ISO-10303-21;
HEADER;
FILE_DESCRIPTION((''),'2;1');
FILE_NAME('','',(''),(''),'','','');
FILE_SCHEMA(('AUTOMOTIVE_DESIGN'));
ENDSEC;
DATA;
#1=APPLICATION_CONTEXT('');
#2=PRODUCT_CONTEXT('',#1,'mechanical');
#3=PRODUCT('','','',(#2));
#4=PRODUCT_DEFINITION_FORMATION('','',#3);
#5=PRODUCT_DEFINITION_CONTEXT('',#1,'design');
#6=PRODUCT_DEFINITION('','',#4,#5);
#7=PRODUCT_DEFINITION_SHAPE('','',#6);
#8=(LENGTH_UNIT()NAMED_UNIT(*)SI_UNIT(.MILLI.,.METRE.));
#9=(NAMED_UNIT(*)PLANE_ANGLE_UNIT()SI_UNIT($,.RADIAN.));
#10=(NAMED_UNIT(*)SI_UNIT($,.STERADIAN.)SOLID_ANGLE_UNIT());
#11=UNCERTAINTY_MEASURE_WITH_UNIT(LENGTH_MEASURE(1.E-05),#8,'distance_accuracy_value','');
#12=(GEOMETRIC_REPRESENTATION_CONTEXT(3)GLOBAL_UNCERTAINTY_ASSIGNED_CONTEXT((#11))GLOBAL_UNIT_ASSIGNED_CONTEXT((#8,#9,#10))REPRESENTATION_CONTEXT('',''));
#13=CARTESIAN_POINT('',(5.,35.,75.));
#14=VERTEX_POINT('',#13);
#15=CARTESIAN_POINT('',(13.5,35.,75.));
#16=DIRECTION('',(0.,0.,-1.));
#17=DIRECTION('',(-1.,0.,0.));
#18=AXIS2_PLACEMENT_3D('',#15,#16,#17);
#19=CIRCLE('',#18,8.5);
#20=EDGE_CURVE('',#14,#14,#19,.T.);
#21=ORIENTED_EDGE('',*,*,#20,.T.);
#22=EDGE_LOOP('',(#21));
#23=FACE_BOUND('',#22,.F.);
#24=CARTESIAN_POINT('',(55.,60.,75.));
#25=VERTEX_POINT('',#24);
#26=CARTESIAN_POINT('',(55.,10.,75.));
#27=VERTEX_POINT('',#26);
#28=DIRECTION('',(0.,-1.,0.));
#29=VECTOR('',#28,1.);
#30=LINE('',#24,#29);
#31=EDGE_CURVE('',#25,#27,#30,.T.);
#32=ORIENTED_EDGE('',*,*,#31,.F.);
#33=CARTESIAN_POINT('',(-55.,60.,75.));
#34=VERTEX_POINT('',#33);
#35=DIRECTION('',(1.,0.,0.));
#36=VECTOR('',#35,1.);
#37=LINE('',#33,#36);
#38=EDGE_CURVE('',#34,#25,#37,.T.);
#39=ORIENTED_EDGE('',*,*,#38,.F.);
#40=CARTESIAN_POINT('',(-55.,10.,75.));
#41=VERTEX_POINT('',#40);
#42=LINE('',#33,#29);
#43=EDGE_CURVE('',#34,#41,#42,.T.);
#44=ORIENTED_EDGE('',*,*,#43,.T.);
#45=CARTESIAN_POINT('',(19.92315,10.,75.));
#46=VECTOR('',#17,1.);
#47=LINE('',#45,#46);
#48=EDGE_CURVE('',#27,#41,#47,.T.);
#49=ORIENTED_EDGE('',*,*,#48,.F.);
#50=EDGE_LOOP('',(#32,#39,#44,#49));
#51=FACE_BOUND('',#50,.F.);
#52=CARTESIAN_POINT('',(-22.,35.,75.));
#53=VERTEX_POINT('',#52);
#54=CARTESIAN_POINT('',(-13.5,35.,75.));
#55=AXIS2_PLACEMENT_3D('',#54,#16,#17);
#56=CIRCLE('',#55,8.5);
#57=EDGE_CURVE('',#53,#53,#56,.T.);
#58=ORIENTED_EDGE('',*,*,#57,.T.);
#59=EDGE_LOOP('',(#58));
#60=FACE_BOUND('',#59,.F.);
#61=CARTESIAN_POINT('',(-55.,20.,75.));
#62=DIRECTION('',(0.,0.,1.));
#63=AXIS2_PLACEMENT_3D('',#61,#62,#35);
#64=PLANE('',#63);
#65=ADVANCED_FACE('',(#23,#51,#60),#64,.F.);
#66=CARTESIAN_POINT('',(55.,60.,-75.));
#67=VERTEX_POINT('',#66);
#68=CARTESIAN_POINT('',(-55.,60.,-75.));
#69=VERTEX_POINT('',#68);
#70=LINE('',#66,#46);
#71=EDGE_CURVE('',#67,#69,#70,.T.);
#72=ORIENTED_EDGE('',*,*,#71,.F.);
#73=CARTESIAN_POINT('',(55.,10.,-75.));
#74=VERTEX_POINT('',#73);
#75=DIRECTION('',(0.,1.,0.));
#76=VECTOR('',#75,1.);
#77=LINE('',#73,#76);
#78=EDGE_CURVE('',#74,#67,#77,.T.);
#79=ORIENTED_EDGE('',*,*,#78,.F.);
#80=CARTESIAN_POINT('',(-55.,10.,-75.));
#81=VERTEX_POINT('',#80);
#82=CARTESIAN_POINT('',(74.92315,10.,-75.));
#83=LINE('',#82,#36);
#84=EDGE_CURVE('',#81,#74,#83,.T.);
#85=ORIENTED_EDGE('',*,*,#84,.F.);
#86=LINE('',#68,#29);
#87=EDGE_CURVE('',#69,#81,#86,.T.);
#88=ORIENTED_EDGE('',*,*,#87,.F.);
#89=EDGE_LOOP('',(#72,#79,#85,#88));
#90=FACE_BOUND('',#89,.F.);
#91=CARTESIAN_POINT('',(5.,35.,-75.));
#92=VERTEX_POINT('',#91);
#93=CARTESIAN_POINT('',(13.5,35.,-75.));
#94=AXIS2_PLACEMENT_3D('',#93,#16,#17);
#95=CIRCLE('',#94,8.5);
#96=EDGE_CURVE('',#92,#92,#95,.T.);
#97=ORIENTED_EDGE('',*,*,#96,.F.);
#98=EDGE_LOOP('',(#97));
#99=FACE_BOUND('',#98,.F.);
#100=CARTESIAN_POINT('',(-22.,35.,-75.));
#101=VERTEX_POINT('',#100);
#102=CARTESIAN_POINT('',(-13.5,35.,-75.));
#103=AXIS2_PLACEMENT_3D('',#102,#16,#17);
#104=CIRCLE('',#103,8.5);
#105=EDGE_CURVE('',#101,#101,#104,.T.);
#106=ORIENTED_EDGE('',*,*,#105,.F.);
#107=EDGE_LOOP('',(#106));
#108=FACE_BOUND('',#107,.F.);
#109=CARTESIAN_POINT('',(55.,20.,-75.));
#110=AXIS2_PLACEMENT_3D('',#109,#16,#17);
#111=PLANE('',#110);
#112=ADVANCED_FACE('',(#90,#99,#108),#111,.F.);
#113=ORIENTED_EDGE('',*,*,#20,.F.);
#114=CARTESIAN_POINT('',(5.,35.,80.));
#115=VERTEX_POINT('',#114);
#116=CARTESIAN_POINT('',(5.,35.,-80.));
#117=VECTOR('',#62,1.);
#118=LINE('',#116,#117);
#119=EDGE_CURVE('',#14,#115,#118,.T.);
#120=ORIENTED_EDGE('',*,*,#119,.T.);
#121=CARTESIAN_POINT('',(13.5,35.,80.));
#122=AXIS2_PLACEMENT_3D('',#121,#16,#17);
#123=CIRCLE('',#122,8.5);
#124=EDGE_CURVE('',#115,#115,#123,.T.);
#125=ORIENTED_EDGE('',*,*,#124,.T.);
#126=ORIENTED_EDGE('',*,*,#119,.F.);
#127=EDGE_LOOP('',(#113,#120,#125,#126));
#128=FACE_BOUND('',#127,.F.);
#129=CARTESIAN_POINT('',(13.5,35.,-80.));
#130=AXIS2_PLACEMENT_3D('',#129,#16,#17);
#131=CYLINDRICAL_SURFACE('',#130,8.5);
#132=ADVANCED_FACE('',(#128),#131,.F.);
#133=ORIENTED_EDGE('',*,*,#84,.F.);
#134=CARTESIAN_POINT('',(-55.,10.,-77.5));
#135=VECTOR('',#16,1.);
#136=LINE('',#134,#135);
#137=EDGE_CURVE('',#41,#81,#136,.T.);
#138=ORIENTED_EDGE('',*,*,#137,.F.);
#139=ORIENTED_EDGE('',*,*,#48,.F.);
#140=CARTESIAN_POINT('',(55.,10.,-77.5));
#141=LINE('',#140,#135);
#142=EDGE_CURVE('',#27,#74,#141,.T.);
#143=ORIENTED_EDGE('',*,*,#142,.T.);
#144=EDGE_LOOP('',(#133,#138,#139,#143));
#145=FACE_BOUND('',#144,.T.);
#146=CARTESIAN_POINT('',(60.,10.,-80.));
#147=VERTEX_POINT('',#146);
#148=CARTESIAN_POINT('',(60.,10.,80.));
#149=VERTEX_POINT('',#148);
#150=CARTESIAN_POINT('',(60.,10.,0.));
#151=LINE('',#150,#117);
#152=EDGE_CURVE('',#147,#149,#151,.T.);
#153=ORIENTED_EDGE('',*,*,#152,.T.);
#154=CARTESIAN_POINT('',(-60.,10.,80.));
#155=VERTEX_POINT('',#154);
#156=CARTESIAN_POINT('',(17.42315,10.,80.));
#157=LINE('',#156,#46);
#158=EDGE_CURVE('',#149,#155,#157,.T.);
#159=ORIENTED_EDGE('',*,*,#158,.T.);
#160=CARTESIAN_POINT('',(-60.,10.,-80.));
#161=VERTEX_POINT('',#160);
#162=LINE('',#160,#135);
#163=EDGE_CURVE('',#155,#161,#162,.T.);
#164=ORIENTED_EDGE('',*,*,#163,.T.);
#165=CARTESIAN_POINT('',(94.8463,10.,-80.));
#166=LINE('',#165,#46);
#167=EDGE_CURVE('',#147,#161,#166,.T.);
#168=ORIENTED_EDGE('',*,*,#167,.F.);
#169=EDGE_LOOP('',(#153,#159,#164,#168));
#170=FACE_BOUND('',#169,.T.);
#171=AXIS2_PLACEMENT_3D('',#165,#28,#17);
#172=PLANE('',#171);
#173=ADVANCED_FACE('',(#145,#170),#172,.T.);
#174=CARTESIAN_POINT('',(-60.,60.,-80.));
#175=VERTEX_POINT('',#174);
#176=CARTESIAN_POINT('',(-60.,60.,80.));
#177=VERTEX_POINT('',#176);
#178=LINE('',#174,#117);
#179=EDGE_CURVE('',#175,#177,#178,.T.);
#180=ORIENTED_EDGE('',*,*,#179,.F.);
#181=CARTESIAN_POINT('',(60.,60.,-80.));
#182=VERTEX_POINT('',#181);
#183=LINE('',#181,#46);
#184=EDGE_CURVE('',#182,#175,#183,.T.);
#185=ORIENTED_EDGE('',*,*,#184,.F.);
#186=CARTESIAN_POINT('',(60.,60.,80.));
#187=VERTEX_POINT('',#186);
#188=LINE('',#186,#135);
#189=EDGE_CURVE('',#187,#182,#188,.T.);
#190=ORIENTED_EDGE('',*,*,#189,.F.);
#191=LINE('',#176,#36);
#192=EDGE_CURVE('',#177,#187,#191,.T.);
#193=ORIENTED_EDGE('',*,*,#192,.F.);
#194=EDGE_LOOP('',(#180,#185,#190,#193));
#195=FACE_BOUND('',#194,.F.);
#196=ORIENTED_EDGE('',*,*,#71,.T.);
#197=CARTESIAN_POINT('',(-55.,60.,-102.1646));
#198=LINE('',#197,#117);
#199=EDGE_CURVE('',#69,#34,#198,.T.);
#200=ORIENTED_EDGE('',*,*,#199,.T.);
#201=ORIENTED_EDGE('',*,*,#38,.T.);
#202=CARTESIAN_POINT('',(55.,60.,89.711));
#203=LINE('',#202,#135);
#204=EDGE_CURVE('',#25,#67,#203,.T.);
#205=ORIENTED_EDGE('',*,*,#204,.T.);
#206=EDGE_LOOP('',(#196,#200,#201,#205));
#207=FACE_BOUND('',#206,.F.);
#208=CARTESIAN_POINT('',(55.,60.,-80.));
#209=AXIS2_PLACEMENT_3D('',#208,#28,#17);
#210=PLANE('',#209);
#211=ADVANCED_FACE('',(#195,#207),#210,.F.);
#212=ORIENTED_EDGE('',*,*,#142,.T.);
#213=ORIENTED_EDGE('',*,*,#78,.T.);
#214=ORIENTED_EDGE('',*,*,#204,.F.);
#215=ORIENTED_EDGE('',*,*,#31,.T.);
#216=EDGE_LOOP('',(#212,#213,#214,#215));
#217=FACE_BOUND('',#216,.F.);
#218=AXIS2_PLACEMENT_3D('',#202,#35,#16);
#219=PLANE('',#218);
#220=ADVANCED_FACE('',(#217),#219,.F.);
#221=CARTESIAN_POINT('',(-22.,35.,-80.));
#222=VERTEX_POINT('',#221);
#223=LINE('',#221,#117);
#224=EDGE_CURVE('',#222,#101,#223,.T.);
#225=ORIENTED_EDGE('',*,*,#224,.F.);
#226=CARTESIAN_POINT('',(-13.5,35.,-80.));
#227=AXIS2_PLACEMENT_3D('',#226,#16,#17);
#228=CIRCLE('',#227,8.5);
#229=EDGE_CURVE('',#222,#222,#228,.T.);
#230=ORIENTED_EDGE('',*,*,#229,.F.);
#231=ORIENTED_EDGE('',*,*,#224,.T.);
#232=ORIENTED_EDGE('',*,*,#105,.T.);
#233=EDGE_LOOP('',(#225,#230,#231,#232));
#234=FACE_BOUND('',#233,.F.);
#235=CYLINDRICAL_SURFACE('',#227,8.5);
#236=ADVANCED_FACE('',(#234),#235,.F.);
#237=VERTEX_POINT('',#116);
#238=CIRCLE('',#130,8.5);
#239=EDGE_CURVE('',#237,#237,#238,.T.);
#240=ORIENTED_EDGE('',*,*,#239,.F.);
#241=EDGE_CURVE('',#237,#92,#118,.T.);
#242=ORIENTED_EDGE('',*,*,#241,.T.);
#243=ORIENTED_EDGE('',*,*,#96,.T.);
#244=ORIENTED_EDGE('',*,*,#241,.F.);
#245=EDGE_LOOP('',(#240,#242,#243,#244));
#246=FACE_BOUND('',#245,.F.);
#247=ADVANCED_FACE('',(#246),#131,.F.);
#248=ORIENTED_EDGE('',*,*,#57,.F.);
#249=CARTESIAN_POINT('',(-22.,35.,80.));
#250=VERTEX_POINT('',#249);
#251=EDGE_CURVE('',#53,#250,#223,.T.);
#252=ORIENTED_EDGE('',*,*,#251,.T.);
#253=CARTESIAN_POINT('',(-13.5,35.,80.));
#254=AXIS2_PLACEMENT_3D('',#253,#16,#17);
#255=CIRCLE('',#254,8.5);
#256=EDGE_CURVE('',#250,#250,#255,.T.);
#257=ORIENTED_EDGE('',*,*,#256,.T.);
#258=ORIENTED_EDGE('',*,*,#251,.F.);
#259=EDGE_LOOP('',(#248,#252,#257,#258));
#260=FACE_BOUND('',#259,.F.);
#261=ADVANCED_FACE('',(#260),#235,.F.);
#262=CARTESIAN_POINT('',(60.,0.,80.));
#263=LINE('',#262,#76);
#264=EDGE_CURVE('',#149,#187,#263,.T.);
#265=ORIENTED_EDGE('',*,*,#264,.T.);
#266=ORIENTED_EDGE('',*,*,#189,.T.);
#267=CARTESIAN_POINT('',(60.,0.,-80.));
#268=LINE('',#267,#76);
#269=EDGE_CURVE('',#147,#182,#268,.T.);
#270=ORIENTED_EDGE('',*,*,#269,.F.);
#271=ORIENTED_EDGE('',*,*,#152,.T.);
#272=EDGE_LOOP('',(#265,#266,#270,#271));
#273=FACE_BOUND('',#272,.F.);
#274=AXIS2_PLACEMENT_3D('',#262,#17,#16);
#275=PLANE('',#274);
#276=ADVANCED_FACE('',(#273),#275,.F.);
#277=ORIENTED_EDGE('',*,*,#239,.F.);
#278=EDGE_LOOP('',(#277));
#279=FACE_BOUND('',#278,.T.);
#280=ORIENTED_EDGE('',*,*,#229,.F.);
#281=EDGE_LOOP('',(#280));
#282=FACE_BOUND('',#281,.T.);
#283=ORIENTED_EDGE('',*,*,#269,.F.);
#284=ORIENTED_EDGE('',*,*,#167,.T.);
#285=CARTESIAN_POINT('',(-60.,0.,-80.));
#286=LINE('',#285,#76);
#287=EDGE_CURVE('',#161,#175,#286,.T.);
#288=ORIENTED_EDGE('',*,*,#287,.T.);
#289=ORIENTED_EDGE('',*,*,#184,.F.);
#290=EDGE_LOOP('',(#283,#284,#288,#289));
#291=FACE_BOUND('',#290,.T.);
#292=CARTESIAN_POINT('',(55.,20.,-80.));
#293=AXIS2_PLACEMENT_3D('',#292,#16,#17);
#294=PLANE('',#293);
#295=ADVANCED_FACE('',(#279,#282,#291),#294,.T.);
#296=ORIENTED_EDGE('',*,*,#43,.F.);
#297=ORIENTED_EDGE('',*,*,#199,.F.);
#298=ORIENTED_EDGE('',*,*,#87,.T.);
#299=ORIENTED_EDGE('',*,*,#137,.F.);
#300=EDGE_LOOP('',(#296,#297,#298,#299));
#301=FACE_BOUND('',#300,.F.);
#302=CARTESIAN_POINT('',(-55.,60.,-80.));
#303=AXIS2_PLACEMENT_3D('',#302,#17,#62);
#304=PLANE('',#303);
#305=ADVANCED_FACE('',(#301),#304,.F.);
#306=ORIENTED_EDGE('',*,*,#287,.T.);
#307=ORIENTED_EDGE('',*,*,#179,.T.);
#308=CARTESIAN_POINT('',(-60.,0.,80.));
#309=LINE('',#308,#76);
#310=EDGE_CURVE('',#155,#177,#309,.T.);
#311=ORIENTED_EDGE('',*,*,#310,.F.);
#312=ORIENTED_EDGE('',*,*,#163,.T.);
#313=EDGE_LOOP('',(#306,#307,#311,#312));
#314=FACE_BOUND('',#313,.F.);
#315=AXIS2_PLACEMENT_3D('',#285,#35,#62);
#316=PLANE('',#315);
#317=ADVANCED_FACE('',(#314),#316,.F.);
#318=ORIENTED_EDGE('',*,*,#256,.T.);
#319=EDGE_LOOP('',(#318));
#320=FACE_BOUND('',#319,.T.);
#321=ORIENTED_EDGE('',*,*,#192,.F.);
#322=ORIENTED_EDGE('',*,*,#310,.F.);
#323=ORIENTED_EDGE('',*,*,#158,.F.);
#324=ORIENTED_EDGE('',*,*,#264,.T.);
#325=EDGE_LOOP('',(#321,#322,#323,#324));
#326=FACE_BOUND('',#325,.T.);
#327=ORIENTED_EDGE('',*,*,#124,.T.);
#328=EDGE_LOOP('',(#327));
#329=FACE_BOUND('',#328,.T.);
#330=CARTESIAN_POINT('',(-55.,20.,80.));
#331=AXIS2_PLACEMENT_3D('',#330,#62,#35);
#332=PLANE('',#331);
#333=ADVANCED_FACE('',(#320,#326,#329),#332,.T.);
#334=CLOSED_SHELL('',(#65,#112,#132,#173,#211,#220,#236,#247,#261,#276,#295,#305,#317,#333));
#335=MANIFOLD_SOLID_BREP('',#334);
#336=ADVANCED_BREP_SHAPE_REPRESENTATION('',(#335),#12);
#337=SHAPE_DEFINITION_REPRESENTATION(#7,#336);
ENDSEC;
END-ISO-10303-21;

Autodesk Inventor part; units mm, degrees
ref_plane "YZ Plane" through (0, 0, 0) normal (1, 0, 0) x (0, 1, 0)
ref_plane "XZ Plane" through (0, 0, 0) normal (0, 1, 0) x (-1, 0, 0)
ref_plane "XY Plane" through (0, 0, 0) normal (0, 0, 1) x (1, 0, 0)
sketch "스케치1" plane through (0, 0, 0) normal (0, 1, 0) x (-1, 0, 0)
  line L0 (60, 80) -> (-60, 80)
  line L1 (-60, 80) -> (-60, -80)
  line L2 (-60, -80) -> (60, -80)
  line L3 (60, -80) -> (60, 80)
  line L4 (60, 80) -> (-60, -80) construction
  line L5 (-60, 80) -> (60, -80) construction
  point P0 (0, 0)
  dimension "d0" = 120
  dimension "d1" = 160
extrude "돌출1" add sketch "스케치1" along normal blind 60
sketch "스케치2" plane through (0, 60, 0) normal (0, 1, 0) x (1, 0, 0)
  line L0 (60, -80) -> (60, 80) projected
  line L1 (60, 80) -> (-60, 80) projected
  line L2 (55, 102.1646) -> (-55, 102.1646)
  line L3 (-55, 102.1646) -> (-55, -89.711)
  line L4 (-55, -89.711) -> (55, -89.711)
  line L5 (55, -89.711) -> (55, 102.1646)
  line L6 (-60, 80) -> (-60, -80) projected
  point P0 (0, 0)
  point P1 (55, 80)
  point P2 (-55, 80)
  dimension "d6" = 5
  dimension "d7" = 5
extrude "돌출2" cut sketch "스케치2" against normal blind 40 contours L5 L4 L3 L1
sketch "스케치12" plane through (60, 0, -80) normal (0, 0, -1) x (-1, 0, 0)
  line L0 (-34.8463, 10) -> (156.2634, 10)
  line L1 (156.2634, 10) -> (156.2634, -36.9465)
  line L2 (156.2634, -36.9465) -> (-34.8463, -36.9465)
  line L3 (-34.8463, -36.9465) -> (-34.8463, 10)
  line L4 (0, 0) -> (120, 0) projected
  point P0 (60, 0)
  dimension "d85" = 10
extrude "돌출10" cut sketch "스케치12" against normal through all
sketch "스케치13" plane through (-55, 20, 80) normal (0, 0, 1) x (1, 0, 0)
  line L0 (0, 40) -> (0, 0) projected
  line L1 (0, 0) -> (110, 0) projected
  line L2 (0, 40) -> (110, 40)
  line L3 (110, 40) -> (110, 0)
  line L4 (110, 0) -> (0, 0)
  line L5 (0, 0) -> (0, 40)
  point P0 (55, -20)
extrude "돌출11" add sketch "스케치13" against normal blind 5
sketch "스케치14" plane through (55, 20, -80) normal (0, 0, -1) x (-1, 0, 0)
  line L0 (0, 0) -> (0, 40) projected
  line L1 (110, 0) -> (0, 0) projected
  line L2 (0, 40) -> (110, 40)
  line L3 (110, 40) -> (110, 0)
  line L4 (110, 0) -> (0, 0)
  line L5 (0, 0) -> (0, 40)
  point P0 (55, -20)
extrude "돌출12" add sketch "스케치14" against normal blind 5
sketch "스케치15" plane through (60, 60, -80) normal (0, 0, -1) x (-1, 0, 0)
  point P0 (60, -60)
sketch "스케치16" plane through (60, 60, -80) normal (0, 0, -1) x (-1, 0, 0)
  point P0 (60, -60)
sketch "스케치17" plane through (0, 20, 0) normal (0, 1, 0) x (1, 0, 0)
  line L0 (7, 27) -> (45, 27)
  line L1 (45, 27) -> (45, 65)
  line L2 (45, 65) -> (7, 65)
  line L3 (7, 65) -> (7, 27)
  line L4 (55, 75) -> (55, -75) projected
  line L5 (55, 75) -> (-55, 75) projected
  circle A0 centre (7, 27) radius 1.6
  circle A1 centre (7, 65) radius 1.6
  circle A2 centre (45, 65) radius 1.6
  circle A3 centre (45, 27) radius 1.6
  line L6 (-47.9371, 14.7215) -> (-7.9371, 14.7215)
  line L7 (-7.9371, 14.7215) -> (-7.9371, 64.7215)
  line L8 (-7.9371, 64.7215) -> (-47.9371, 64.7215)
  line L9 (-47.9371, 64.7215) -> (-47.9371, 14.7215)
  point P0 (0, 0)
  dimension "d92" = 38
  dimension "d93" = 38
  dimension "d95" = 10
  dimension "d96" = 10
  dimension "d97" = 3.2
  dimension "d98" = 3.2
  dimension "d99" = 3.2
  dimension "d100" = 3.2
  dimension "d113" = 40
  dimension "d114" = 50
extrude "돌출13" cut sketch "스케치17" against normal through all contours L3 A0 L0 | L0 A0 L3 | A3 L1 L0 | L0 L1 A3 | A1 L2 L3 | L3 L2 A1 | A2 L2 L1 | L1 L2 A2
sketch "스케치19" plane through (60, 60, -80) normal (0, 0, -1) x (-1, 0, 0)
  line L0 (5, -40) -> (115, -40) projected
  circle A0 centre (46.5, -25) radius 8.5
  circle A1 centre (73.5, -25) radius 8.5
  line L1 (5, 0) -> (5, -40) projected
  line L2 (115, -40) -> (115, 0) projected
  point P0 (60, -60)
  dimension "d105" = 27
  dimension "d106" = 41.5
  dimension "d107" = 17
  dimension "d108" = 17
  dimension "d109" = 15
  dimension "d110" = 15
extrude "돌출14" cut sketch "스케치19" against normal through all
sketch "스케치21" plane through (0, 20, 0) normal (0, 1, 0) x (1, 0, 0)
  circle A0 centre (5.4243, 8.1678) radius 7.5
  line L0 (-49.3888, 17.2731) -> (-9.3888, 17.2731)
  line L1 (-9.3888, 17.2731) -> (-9.3888, 67.2731)
  line L2 (-9.3888, 67.2731) -> (-49.3888, 67.2731)
  line L3 (-49.3888, 67.2731) -> (-49.3888, 17.2731)
  point P0 (0, 0)
  dimension "d117" = 15
  dimension "d118" = 50
  dimension "d119" = 40
extrude "돌출15" cut sketch "스케치21" against normal through all contours A0
sketch "스케치23" plane through (0, 20, 0) normal (0, 1, 0) x (1, 0, 0)
  line L0 (-48.6, -65) -> (20, -65)
  line L1 (20, -65) -> (20, -11.6)
  line L2 (20, -11.6) -> (-48.6, -11.6)
  line L3 (-48.6, -11.6) -> (-48.6, -65)
  line L4 (55, 75) -> (55, -75) projected
  line L5 (-55, -75) -> (55, -75) projected
  circle A0 centre (4.7, -62.45) radius 1.6
  circle A1 centre (6.03, -14.15) radius 1.6
  circle A2 centre (-46.05, -47.16) radius 1.6
  circle A3 centre (-46.05, -19.23) radius 1.6
  point P0 (0, 0)
  dimension "d123" = 68.6
  dimension "d124" = 53.4
  dimension "d125" = 35
  dimension "d126" = 10
  dimension "d127" = 3.2
  dimension "d128" = 15.3
  dimension "d129" = 2.55
  dimension "d130" = 3.2
  dimension "d131" = 13.97
  dimension "d132" = 2.55
  dimension "d133" = 3.2
  dimension "d134" = 35.56
  dimension "d135" = 3.2
  dimension "d136" = 2.55
  dimension "d137" = 2.55
  dimension "d138" = 7.63
extrude "돌출16" cut sketch "스케치23" against normal through all contours A0 | A1 | A2 | A3
sketch "스케치24" plane through (0, 20, 0) normal (0, 1, 0) x (1, 0, 0)
  line L0 (-55, -75) -> (55, -75) projected
  line L1 (55, 75) -> (55, -75) projected
  line L2 (-55, -75) -> (55, -75)
  line L3 (55, -75) -> (55, 75)
  line L4 (55, 75) -> (-55, 75)
  line L5 (-55, 75) -> (-55, -75)
  point P0 (0, 0)
extrude "돌출17" cut sketch "스케치24" against normal through all
properties part number "본체 겉면"
